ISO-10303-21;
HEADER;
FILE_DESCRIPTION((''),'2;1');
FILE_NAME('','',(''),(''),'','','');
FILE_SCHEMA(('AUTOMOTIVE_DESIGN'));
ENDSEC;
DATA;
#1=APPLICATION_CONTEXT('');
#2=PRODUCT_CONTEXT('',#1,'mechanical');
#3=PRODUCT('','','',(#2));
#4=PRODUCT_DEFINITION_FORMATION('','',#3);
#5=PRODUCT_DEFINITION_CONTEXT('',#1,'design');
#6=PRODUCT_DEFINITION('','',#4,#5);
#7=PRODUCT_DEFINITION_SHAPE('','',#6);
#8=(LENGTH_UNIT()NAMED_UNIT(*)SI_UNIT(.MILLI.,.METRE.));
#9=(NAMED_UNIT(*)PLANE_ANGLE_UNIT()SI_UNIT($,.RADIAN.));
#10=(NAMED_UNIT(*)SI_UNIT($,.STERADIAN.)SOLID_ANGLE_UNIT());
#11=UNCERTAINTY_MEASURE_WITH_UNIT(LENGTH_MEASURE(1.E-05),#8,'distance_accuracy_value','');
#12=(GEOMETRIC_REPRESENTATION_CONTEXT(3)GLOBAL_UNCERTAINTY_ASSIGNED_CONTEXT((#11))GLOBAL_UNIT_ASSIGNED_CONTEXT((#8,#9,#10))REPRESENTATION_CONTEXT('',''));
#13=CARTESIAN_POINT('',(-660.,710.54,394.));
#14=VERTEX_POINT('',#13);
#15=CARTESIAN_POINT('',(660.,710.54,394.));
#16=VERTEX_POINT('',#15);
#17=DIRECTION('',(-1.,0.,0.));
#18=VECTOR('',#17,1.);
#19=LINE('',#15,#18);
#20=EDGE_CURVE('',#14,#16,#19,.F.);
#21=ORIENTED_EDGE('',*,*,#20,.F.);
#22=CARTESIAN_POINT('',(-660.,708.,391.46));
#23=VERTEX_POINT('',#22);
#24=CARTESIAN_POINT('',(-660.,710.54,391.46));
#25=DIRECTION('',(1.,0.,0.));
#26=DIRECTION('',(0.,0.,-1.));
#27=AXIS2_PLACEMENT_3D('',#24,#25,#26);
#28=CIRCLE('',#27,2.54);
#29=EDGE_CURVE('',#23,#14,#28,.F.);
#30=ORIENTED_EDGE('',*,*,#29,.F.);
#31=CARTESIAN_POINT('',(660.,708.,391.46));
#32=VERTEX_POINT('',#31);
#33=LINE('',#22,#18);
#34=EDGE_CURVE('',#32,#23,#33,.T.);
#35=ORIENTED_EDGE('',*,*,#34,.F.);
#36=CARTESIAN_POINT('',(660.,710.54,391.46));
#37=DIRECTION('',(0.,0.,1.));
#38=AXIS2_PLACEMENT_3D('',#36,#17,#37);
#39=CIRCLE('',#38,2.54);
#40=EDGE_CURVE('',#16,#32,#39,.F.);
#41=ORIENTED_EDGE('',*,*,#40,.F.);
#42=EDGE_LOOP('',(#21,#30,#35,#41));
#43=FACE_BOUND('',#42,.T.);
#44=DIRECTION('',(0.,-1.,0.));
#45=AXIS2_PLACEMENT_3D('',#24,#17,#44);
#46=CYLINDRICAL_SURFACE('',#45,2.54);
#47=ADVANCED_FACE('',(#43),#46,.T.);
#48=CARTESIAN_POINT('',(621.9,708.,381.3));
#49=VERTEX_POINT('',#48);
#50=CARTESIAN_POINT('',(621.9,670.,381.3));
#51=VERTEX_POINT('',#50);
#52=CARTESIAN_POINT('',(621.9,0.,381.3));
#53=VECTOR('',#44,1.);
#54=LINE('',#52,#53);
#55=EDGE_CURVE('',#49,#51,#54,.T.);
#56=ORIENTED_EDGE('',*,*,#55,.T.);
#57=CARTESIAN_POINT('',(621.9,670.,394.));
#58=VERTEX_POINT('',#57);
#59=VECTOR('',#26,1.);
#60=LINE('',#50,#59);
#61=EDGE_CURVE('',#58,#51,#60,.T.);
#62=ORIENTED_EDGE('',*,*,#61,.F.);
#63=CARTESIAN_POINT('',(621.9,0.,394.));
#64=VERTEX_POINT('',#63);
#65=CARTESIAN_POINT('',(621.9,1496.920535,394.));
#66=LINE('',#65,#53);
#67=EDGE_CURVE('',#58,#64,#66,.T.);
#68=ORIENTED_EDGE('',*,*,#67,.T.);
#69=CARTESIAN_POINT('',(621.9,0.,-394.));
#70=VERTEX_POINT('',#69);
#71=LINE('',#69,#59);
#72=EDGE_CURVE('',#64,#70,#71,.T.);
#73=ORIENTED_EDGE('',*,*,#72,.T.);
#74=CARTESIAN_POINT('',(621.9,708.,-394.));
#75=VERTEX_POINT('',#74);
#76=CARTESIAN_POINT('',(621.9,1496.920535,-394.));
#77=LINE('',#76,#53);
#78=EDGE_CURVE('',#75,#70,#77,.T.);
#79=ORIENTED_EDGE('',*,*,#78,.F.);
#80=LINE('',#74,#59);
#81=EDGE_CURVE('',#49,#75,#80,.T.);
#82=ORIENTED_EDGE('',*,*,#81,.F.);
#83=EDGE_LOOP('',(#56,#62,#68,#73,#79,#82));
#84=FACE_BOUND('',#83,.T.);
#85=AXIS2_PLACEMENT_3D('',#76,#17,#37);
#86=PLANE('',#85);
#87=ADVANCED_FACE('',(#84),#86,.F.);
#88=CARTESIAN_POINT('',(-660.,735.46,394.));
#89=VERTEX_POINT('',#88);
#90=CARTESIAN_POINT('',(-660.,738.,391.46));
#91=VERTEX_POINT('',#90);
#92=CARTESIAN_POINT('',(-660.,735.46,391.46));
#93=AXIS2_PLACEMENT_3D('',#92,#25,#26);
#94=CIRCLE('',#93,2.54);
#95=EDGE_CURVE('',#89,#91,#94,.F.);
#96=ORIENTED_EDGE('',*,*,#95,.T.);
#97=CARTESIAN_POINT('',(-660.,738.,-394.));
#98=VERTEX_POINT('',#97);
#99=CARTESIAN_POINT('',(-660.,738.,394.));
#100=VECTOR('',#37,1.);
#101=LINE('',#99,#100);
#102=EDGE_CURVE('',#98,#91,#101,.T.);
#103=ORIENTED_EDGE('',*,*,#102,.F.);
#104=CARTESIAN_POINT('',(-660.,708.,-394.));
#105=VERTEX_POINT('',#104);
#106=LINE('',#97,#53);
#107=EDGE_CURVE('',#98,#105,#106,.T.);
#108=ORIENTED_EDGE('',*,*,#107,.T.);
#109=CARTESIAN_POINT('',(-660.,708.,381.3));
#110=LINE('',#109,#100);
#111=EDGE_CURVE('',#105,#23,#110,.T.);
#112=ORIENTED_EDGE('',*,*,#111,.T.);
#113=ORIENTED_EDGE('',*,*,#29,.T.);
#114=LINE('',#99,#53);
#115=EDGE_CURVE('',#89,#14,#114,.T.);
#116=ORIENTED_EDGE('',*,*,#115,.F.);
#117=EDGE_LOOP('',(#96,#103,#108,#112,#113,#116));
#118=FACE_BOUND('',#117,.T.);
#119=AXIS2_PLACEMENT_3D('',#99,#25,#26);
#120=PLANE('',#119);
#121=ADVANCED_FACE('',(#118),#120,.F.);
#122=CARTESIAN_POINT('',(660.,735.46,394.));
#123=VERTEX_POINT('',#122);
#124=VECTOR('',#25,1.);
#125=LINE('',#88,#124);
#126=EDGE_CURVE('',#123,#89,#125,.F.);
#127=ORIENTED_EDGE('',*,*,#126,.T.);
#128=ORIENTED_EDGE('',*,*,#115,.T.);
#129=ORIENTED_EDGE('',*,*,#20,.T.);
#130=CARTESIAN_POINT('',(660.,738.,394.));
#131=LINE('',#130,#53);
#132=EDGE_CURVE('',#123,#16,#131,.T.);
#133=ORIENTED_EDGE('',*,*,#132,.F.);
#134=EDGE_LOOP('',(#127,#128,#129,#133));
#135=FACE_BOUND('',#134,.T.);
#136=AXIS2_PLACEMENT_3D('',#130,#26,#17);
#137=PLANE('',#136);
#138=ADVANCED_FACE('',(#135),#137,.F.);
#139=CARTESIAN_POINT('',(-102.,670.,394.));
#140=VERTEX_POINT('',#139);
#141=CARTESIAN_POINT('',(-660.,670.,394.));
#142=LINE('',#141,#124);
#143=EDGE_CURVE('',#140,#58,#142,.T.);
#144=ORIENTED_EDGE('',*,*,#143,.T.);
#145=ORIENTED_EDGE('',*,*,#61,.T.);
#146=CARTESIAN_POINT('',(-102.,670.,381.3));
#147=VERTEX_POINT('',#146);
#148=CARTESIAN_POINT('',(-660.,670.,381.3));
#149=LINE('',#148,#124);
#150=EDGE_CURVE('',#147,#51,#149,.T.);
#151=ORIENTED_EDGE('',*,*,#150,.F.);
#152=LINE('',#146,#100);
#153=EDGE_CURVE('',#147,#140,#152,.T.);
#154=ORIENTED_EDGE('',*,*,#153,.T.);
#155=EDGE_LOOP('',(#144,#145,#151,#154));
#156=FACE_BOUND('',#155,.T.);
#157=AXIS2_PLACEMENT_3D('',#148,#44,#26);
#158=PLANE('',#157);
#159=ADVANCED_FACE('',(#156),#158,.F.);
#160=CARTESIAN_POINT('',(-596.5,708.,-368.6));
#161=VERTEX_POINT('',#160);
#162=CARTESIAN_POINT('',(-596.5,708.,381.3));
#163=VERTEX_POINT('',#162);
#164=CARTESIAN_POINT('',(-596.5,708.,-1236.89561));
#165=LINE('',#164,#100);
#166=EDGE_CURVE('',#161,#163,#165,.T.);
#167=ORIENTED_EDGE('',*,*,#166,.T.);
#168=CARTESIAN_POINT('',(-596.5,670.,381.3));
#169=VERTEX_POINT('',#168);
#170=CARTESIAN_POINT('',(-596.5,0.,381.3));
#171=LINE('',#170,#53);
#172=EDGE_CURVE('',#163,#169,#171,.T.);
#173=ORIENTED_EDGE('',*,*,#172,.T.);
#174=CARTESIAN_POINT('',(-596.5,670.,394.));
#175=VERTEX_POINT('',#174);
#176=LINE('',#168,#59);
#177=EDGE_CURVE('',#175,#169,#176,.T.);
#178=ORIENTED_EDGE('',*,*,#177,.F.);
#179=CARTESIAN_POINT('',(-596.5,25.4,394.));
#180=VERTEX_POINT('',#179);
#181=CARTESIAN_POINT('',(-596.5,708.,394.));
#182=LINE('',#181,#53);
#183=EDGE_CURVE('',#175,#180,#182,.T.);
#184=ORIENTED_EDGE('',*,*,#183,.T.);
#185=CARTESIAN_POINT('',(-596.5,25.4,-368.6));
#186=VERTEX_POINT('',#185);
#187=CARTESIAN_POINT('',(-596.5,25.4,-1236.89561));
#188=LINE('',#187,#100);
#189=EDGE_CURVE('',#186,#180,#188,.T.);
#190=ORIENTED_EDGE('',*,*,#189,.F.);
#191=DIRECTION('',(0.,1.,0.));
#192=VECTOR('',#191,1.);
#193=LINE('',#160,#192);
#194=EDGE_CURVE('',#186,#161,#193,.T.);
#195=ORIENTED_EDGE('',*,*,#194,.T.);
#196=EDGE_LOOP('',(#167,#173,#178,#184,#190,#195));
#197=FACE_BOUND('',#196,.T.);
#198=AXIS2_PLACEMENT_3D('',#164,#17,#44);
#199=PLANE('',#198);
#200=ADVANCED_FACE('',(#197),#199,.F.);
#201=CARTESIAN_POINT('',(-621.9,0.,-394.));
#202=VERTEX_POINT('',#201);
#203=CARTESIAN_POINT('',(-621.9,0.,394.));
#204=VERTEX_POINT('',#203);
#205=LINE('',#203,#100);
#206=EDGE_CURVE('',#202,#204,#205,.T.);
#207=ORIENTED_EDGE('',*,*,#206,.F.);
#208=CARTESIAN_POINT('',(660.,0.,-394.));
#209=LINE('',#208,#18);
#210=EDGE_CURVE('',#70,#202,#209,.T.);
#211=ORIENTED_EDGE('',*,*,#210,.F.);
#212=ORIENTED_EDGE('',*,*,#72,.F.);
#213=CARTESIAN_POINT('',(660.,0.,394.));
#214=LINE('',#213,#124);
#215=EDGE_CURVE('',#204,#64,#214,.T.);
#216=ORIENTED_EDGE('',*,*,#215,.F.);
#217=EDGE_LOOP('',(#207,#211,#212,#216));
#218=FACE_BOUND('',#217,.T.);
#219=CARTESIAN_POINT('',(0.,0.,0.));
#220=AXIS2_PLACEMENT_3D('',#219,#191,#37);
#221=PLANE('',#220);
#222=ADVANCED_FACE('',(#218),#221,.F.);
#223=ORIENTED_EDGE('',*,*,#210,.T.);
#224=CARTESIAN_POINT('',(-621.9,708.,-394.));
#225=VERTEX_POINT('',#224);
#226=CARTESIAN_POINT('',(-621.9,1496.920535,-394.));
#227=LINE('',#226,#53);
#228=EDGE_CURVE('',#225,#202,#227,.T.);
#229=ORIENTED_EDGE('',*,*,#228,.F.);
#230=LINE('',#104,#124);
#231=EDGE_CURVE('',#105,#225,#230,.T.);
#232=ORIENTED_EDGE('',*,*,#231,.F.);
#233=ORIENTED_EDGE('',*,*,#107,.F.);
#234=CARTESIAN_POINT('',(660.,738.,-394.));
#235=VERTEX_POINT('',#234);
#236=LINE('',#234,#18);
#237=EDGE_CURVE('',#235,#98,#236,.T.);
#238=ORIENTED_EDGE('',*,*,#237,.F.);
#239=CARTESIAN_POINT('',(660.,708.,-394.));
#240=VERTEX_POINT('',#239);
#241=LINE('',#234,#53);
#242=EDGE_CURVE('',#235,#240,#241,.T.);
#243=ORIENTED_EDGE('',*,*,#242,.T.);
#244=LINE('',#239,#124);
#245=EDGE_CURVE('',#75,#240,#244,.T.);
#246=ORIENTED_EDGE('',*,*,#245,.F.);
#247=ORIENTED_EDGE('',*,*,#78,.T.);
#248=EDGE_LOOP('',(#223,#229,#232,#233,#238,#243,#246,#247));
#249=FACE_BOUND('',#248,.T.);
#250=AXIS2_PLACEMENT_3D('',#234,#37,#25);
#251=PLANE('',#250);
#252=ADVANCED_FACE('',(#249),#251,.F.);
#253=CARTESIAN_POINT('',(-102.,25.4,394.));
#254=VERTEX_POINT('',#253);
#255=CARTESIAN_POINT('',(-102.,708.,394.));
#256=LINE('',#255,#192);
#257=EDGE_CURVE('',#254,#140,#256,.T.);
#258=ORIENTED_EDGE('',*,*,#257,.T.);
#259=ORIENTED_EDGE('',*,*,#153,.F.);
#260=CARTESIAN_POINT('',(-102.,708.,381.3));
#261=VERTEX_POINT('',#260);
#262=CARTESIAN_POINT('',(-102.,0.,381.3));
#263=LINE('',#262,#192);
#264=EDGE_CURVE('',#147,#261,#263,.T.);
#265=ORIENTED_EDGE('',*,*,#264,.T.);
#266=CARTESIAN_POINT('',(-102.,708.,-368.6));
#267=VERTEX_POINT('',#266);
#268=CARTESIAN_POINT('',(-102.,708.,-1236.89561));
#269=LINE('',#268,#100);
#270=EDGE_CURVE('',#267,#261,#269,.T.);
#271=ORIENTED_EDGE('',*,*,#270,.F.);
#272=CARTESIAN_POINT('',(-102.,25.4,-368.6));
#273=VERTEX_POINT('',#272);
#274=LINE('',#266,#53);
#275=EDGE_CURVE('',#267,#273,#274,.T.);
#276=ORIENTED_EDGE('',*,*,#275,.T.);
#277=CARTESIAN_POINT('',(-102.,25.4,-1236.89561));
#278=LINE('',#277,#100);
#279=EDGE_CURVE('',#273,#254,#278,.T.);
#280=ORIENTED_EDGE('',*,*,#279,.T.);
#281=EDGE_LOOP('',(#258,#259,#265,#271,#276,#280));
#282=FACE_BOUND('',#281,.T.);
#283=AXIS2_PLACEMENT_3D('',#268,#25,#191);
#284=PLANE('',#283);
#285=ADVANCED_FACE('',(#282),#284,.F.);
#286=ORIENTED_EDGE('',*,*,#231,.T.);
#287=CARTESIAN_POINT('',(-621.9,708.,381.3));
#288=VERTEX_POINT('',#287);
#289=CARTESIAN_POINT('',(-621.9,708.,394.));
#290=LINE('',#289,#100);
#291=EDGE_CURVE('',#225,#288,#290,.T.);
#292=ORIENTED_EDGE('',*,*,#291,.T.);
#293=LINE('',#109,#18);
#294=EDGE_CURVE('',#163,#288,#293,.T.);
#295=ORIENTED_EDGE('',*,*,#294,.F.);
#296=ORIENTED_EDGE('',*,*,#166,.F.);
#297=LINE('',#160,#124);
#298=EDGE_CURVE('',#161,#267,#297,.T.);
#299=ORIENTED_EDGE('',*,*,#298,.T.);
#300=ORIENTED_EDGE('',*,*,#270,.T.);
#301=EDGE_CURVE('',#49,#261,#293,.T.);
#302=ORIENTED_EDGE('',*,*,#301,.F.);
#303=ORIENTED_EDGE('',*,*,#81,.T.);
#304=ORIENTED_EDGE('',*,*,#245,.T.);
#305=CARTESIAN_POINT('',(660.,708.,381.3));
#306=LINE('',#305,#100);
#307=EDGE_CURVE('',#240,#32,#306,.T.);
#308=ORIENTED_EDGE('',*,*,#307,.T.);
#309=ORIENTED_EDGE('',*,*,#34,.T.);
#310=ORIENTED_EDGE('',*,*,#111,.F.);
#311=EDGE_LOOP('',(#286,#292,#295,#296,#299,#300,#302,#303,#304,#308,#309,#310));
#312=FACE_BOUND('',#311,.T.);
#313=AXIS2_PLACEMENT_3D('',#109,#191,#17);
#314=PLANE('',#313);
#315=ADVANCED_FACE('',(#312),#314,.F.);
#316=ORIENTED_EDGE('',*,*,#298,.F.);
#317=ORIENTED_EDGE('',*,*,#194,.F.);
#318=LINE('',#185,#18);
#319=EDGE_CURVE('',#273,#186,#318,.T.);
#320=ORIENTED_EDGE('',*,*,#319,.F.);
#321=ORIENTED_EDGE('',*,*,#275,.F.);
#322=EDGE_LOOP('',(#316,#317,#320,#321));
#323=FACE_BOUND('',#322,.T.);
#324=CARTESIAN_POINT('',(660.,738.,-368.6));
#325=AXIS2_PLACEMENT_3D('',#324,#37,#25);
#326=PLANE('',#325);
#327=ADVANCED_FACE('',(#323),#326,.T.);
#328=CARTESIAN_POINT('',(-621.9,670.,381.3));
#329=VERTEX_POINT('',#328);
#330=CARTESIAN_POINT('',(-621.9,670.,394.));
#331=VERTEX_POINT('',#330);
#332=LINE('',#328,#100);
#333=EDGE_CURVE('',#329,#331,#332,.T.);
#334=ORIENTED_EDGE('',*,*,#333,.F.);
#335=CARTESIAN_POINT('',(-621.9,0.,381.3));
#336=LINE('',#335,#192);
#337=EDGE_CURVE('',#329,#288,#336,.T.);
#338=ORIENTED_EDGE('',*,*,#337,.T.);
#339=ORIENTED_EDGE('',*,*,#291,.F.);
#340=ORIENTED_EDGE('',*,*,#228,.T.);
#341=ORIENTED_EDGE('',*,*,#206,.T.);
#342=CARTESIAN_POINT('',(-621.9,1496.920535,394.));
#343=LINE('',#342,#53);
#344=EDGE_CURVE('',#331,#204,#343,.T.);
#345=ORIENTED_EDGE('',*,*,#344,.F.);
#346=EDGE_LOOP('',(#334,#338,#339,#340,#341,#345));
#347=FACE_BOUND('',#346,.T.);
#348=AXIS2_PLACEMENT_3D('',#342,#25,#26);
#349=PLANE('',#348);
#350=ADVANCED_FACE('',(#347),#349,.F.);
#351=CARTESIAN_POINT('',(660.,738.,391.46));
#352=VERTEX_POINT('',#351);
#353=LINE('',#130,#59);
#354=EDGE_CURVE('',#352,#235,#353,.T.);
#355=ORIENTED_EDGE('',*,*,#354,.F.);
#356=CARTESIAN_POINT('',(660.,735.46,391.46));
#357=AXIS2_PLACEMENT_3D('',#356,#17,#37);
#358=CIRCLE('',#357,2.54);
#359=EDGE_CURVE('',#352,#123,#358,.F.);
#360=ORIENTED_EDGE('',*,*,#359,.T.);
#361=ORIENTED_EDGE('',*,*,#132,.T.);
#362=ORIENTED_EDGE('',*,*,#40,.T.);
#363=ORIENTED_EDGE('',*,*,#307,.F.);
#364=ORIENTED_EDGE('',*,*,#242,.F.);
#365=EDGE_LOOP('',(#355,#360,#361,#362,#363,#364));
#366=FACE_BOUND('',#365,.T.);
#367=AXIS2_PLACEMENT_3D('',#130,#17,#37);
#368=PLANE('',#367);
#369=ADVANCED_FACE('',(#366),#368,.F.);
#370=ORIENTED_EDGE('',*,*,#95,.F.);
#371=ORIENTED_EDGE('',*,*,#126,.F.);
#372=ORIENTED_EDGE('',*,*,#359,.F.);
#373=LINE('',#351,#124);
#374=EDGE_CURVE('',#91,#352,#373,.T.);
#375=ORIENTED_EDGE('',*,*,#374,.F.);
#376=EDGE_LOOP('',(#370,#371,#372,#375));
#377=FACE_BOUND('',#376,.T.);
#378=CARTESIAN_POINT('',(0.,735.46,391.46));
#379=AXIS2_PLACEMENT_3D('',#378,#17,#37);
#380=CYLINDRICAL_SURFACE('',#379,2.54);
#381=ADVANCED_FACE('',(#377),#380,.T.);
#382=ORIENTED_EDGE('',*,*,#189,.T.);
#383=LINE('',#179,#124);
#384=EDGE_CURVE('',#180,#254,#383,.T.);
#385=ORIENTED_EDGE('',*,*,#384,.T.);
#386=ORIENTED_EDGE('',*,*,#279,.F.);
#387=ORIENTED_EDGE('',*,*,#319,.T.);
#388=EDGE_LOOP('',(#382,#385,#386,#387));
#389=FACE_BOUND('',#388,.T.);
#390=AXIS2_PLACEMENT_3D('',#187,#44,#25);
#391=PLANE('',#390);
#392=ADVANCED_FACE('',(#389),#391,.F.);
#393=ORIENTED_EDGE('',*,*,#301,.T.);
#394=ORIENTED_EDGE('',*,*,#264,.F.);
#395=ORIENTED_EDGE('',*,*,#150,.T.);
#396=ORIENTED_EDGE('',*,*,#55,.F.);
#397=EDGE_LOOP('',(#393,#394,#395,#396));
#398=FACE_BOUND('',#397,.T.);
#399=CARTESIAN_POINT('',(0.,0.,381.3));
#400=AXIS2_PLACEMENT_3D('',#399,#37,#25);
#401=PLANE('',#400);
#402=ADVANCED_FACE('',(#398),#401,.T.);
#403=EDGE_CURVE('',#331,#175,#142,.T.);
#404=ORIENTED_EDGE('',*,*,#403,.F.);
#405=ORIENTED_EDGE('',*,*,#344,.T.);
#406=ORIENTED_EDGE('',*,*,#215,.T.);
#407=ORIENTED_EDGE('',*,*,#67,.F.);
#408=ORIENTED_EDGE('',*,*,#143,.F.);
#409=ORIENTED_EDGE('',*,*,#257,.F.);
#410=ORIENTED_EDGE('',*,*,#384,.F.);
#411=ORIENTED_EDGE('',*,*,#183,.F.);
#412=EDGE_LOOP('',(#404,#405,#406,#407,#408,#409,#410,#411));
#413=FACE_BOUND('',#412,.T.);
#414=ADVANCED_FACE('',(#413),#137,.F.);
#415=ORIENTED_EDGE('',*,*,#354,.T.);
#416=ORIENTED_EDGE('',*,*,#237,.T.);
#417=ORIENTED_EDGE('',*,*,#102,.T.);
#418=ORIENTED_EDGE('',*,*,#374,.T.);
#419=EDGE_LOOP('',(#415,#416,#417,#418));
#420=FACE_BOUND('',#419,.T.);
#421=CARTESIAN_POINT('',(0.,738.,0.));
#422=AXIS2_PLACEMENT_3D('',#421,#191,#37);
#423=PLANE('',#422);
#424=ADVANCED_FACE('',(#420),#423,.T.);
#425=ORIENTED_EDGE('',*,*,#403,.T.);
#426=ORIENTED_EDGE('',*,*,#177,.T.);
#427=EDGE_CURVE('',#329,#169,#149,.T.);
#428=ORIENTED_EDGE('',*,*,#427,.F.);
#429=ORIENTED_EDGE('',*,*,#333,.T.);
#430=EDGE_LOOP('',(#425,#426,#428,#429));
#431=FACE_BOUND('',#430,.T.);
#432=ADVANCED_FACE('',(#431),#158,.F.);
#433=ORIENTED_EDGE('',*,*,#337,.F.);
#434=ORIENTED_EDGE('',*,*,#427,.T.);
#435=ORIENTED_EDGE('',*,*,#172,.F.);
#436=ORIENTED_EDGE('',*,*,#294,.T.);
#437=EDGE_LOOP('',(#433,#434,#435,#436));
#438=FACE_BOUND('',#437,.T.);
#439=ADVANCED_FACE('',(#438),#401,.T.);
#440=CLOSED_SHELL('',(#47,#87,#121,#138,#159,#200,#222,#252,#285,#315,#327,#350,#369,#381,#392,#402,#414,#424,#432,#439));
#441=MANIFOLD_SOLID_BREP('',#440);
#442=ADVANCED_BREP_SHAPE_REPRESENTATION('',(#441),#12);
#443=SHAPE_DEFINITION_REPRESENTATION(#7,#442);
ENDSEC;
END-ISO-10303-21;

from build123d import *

# Parameters (mm, degrees)
SKETCH1_W           = 1320
SKETCH1_H           = 788
BOSS_EXTRUDE1_DEPTH = 738
SKETCH5_W           = 1320
SKETCH5_H           = 38
CUT_EXTRUDE1_DEPTH  = 12.7
FILLET2_R           = 2.54
CUT_EXTRUDE2_REACH  = 1067.589
SKETCH6_W           = 38.1
SKETCH6_H           = 788
SKETCH8_W           = 494.5
SKETCH8_H           = 682.6
CUT_EXTRUDE3_DEPTH  = 762.6


with BuildPart() as part:
    # Sketch1 → Boss-Extrude1 (new body)
    with BuildSketch(Plane(origin=(0, 0, 0), x_dir=(1, 0, 0), z_dir=(0, 1, 0))):
        Rectangle(SKETCH1_W, SKETCH1_H)
    extrude(amount=BOSS_EXTRUDE1_DEPTH)

    # Sketch5 → Cut-Extrude1 (cut)
    with BuildSketch(Plane.XY.offset(394)):
        with Locations((0, 689)):
            Rectangle(SKETCH5_W, SKETCH5_H)
    extrude(amount=-CUT_EXTRUDE1_DEPTH, mode=Mode.SUBTRACT)

    # Fillet2
    fillet2_edges = [part.edges().sort_by_distance(p)[0] for p in [
        (0, 708, 394),
        (0, 738, 394),
    ]]
    fillet(fillet2_edges, radius=FILLET2_R)

    # Cut-Extrude2: up to this face of the body (flat: up to its plane)
    cut_extrude2_end = Plane(part.part.faces().sort_by_distance((0, 708, 386.38))[0])
    # Sketch6 → Cut-Extrude2 (cut, up to the picked face)
    with BuildSketch(Plane.XZ, mode=Mode.PRIVATE) as cut_extrude2_sk1:
        with Locations((640.95, 0)):
            Rectangle(SKETCH6_W, SKETCH6_H)
    cut_extrude2_tool1 = split(extrude(cut_extrude2_sk1.sketch, amount=-CUT_EXTRUDE2_REACH, mode=Mode.PRIVATE), bisect_by=cut_extrude2_end, keep=Keep.BOTH, mode=Mode.PRIVATE)
    # Sketch6 → Cut-Extrude2 (cut, up to the picked face)
    with BuildSketch(Plane.XZ, mode=Mode.PRIVATE) as cut_extrude2_sk2:
        with Locations((-640.95, 0)):
            Rectangle(SKETCH6_W, SKETCH6_H)
    cut_extrude2_tool2 = split(extrude(cut_extrude2_sk2.sketch, amount=-CUT_EXTRUDE2_REACH, mode=Mode.PRIVATE), bisect_by=cut_extrude2_end, keep=Keep.BOTH, mode=Mode.PRIVATE)
    add(cut_extrude2_tool1.solids().sort_by(Axis((640.95, 0, 0), (0, 1, 0)))[0], mode=Mode.SUBTRACT)
    add(cut_extrude2_tool2.solids().sort_by(Axis((-640.95, 0, 0), (0, 1, 0)))[0], mode=Mode.SUBTRACT)

    # Sketch8 → Cut-Extrude3 (cut)
    with BuildSketch(Plane.XY.offset(394)):
        with Locations((-349.25, 366.7)):
            Rectangle(SKETCH8_W, SKETCH8_H)
    extrude(amount=-CUT_EXTRUDE3_DEPTH, mode=Mode.SUBTRACT)


solid = part.part
